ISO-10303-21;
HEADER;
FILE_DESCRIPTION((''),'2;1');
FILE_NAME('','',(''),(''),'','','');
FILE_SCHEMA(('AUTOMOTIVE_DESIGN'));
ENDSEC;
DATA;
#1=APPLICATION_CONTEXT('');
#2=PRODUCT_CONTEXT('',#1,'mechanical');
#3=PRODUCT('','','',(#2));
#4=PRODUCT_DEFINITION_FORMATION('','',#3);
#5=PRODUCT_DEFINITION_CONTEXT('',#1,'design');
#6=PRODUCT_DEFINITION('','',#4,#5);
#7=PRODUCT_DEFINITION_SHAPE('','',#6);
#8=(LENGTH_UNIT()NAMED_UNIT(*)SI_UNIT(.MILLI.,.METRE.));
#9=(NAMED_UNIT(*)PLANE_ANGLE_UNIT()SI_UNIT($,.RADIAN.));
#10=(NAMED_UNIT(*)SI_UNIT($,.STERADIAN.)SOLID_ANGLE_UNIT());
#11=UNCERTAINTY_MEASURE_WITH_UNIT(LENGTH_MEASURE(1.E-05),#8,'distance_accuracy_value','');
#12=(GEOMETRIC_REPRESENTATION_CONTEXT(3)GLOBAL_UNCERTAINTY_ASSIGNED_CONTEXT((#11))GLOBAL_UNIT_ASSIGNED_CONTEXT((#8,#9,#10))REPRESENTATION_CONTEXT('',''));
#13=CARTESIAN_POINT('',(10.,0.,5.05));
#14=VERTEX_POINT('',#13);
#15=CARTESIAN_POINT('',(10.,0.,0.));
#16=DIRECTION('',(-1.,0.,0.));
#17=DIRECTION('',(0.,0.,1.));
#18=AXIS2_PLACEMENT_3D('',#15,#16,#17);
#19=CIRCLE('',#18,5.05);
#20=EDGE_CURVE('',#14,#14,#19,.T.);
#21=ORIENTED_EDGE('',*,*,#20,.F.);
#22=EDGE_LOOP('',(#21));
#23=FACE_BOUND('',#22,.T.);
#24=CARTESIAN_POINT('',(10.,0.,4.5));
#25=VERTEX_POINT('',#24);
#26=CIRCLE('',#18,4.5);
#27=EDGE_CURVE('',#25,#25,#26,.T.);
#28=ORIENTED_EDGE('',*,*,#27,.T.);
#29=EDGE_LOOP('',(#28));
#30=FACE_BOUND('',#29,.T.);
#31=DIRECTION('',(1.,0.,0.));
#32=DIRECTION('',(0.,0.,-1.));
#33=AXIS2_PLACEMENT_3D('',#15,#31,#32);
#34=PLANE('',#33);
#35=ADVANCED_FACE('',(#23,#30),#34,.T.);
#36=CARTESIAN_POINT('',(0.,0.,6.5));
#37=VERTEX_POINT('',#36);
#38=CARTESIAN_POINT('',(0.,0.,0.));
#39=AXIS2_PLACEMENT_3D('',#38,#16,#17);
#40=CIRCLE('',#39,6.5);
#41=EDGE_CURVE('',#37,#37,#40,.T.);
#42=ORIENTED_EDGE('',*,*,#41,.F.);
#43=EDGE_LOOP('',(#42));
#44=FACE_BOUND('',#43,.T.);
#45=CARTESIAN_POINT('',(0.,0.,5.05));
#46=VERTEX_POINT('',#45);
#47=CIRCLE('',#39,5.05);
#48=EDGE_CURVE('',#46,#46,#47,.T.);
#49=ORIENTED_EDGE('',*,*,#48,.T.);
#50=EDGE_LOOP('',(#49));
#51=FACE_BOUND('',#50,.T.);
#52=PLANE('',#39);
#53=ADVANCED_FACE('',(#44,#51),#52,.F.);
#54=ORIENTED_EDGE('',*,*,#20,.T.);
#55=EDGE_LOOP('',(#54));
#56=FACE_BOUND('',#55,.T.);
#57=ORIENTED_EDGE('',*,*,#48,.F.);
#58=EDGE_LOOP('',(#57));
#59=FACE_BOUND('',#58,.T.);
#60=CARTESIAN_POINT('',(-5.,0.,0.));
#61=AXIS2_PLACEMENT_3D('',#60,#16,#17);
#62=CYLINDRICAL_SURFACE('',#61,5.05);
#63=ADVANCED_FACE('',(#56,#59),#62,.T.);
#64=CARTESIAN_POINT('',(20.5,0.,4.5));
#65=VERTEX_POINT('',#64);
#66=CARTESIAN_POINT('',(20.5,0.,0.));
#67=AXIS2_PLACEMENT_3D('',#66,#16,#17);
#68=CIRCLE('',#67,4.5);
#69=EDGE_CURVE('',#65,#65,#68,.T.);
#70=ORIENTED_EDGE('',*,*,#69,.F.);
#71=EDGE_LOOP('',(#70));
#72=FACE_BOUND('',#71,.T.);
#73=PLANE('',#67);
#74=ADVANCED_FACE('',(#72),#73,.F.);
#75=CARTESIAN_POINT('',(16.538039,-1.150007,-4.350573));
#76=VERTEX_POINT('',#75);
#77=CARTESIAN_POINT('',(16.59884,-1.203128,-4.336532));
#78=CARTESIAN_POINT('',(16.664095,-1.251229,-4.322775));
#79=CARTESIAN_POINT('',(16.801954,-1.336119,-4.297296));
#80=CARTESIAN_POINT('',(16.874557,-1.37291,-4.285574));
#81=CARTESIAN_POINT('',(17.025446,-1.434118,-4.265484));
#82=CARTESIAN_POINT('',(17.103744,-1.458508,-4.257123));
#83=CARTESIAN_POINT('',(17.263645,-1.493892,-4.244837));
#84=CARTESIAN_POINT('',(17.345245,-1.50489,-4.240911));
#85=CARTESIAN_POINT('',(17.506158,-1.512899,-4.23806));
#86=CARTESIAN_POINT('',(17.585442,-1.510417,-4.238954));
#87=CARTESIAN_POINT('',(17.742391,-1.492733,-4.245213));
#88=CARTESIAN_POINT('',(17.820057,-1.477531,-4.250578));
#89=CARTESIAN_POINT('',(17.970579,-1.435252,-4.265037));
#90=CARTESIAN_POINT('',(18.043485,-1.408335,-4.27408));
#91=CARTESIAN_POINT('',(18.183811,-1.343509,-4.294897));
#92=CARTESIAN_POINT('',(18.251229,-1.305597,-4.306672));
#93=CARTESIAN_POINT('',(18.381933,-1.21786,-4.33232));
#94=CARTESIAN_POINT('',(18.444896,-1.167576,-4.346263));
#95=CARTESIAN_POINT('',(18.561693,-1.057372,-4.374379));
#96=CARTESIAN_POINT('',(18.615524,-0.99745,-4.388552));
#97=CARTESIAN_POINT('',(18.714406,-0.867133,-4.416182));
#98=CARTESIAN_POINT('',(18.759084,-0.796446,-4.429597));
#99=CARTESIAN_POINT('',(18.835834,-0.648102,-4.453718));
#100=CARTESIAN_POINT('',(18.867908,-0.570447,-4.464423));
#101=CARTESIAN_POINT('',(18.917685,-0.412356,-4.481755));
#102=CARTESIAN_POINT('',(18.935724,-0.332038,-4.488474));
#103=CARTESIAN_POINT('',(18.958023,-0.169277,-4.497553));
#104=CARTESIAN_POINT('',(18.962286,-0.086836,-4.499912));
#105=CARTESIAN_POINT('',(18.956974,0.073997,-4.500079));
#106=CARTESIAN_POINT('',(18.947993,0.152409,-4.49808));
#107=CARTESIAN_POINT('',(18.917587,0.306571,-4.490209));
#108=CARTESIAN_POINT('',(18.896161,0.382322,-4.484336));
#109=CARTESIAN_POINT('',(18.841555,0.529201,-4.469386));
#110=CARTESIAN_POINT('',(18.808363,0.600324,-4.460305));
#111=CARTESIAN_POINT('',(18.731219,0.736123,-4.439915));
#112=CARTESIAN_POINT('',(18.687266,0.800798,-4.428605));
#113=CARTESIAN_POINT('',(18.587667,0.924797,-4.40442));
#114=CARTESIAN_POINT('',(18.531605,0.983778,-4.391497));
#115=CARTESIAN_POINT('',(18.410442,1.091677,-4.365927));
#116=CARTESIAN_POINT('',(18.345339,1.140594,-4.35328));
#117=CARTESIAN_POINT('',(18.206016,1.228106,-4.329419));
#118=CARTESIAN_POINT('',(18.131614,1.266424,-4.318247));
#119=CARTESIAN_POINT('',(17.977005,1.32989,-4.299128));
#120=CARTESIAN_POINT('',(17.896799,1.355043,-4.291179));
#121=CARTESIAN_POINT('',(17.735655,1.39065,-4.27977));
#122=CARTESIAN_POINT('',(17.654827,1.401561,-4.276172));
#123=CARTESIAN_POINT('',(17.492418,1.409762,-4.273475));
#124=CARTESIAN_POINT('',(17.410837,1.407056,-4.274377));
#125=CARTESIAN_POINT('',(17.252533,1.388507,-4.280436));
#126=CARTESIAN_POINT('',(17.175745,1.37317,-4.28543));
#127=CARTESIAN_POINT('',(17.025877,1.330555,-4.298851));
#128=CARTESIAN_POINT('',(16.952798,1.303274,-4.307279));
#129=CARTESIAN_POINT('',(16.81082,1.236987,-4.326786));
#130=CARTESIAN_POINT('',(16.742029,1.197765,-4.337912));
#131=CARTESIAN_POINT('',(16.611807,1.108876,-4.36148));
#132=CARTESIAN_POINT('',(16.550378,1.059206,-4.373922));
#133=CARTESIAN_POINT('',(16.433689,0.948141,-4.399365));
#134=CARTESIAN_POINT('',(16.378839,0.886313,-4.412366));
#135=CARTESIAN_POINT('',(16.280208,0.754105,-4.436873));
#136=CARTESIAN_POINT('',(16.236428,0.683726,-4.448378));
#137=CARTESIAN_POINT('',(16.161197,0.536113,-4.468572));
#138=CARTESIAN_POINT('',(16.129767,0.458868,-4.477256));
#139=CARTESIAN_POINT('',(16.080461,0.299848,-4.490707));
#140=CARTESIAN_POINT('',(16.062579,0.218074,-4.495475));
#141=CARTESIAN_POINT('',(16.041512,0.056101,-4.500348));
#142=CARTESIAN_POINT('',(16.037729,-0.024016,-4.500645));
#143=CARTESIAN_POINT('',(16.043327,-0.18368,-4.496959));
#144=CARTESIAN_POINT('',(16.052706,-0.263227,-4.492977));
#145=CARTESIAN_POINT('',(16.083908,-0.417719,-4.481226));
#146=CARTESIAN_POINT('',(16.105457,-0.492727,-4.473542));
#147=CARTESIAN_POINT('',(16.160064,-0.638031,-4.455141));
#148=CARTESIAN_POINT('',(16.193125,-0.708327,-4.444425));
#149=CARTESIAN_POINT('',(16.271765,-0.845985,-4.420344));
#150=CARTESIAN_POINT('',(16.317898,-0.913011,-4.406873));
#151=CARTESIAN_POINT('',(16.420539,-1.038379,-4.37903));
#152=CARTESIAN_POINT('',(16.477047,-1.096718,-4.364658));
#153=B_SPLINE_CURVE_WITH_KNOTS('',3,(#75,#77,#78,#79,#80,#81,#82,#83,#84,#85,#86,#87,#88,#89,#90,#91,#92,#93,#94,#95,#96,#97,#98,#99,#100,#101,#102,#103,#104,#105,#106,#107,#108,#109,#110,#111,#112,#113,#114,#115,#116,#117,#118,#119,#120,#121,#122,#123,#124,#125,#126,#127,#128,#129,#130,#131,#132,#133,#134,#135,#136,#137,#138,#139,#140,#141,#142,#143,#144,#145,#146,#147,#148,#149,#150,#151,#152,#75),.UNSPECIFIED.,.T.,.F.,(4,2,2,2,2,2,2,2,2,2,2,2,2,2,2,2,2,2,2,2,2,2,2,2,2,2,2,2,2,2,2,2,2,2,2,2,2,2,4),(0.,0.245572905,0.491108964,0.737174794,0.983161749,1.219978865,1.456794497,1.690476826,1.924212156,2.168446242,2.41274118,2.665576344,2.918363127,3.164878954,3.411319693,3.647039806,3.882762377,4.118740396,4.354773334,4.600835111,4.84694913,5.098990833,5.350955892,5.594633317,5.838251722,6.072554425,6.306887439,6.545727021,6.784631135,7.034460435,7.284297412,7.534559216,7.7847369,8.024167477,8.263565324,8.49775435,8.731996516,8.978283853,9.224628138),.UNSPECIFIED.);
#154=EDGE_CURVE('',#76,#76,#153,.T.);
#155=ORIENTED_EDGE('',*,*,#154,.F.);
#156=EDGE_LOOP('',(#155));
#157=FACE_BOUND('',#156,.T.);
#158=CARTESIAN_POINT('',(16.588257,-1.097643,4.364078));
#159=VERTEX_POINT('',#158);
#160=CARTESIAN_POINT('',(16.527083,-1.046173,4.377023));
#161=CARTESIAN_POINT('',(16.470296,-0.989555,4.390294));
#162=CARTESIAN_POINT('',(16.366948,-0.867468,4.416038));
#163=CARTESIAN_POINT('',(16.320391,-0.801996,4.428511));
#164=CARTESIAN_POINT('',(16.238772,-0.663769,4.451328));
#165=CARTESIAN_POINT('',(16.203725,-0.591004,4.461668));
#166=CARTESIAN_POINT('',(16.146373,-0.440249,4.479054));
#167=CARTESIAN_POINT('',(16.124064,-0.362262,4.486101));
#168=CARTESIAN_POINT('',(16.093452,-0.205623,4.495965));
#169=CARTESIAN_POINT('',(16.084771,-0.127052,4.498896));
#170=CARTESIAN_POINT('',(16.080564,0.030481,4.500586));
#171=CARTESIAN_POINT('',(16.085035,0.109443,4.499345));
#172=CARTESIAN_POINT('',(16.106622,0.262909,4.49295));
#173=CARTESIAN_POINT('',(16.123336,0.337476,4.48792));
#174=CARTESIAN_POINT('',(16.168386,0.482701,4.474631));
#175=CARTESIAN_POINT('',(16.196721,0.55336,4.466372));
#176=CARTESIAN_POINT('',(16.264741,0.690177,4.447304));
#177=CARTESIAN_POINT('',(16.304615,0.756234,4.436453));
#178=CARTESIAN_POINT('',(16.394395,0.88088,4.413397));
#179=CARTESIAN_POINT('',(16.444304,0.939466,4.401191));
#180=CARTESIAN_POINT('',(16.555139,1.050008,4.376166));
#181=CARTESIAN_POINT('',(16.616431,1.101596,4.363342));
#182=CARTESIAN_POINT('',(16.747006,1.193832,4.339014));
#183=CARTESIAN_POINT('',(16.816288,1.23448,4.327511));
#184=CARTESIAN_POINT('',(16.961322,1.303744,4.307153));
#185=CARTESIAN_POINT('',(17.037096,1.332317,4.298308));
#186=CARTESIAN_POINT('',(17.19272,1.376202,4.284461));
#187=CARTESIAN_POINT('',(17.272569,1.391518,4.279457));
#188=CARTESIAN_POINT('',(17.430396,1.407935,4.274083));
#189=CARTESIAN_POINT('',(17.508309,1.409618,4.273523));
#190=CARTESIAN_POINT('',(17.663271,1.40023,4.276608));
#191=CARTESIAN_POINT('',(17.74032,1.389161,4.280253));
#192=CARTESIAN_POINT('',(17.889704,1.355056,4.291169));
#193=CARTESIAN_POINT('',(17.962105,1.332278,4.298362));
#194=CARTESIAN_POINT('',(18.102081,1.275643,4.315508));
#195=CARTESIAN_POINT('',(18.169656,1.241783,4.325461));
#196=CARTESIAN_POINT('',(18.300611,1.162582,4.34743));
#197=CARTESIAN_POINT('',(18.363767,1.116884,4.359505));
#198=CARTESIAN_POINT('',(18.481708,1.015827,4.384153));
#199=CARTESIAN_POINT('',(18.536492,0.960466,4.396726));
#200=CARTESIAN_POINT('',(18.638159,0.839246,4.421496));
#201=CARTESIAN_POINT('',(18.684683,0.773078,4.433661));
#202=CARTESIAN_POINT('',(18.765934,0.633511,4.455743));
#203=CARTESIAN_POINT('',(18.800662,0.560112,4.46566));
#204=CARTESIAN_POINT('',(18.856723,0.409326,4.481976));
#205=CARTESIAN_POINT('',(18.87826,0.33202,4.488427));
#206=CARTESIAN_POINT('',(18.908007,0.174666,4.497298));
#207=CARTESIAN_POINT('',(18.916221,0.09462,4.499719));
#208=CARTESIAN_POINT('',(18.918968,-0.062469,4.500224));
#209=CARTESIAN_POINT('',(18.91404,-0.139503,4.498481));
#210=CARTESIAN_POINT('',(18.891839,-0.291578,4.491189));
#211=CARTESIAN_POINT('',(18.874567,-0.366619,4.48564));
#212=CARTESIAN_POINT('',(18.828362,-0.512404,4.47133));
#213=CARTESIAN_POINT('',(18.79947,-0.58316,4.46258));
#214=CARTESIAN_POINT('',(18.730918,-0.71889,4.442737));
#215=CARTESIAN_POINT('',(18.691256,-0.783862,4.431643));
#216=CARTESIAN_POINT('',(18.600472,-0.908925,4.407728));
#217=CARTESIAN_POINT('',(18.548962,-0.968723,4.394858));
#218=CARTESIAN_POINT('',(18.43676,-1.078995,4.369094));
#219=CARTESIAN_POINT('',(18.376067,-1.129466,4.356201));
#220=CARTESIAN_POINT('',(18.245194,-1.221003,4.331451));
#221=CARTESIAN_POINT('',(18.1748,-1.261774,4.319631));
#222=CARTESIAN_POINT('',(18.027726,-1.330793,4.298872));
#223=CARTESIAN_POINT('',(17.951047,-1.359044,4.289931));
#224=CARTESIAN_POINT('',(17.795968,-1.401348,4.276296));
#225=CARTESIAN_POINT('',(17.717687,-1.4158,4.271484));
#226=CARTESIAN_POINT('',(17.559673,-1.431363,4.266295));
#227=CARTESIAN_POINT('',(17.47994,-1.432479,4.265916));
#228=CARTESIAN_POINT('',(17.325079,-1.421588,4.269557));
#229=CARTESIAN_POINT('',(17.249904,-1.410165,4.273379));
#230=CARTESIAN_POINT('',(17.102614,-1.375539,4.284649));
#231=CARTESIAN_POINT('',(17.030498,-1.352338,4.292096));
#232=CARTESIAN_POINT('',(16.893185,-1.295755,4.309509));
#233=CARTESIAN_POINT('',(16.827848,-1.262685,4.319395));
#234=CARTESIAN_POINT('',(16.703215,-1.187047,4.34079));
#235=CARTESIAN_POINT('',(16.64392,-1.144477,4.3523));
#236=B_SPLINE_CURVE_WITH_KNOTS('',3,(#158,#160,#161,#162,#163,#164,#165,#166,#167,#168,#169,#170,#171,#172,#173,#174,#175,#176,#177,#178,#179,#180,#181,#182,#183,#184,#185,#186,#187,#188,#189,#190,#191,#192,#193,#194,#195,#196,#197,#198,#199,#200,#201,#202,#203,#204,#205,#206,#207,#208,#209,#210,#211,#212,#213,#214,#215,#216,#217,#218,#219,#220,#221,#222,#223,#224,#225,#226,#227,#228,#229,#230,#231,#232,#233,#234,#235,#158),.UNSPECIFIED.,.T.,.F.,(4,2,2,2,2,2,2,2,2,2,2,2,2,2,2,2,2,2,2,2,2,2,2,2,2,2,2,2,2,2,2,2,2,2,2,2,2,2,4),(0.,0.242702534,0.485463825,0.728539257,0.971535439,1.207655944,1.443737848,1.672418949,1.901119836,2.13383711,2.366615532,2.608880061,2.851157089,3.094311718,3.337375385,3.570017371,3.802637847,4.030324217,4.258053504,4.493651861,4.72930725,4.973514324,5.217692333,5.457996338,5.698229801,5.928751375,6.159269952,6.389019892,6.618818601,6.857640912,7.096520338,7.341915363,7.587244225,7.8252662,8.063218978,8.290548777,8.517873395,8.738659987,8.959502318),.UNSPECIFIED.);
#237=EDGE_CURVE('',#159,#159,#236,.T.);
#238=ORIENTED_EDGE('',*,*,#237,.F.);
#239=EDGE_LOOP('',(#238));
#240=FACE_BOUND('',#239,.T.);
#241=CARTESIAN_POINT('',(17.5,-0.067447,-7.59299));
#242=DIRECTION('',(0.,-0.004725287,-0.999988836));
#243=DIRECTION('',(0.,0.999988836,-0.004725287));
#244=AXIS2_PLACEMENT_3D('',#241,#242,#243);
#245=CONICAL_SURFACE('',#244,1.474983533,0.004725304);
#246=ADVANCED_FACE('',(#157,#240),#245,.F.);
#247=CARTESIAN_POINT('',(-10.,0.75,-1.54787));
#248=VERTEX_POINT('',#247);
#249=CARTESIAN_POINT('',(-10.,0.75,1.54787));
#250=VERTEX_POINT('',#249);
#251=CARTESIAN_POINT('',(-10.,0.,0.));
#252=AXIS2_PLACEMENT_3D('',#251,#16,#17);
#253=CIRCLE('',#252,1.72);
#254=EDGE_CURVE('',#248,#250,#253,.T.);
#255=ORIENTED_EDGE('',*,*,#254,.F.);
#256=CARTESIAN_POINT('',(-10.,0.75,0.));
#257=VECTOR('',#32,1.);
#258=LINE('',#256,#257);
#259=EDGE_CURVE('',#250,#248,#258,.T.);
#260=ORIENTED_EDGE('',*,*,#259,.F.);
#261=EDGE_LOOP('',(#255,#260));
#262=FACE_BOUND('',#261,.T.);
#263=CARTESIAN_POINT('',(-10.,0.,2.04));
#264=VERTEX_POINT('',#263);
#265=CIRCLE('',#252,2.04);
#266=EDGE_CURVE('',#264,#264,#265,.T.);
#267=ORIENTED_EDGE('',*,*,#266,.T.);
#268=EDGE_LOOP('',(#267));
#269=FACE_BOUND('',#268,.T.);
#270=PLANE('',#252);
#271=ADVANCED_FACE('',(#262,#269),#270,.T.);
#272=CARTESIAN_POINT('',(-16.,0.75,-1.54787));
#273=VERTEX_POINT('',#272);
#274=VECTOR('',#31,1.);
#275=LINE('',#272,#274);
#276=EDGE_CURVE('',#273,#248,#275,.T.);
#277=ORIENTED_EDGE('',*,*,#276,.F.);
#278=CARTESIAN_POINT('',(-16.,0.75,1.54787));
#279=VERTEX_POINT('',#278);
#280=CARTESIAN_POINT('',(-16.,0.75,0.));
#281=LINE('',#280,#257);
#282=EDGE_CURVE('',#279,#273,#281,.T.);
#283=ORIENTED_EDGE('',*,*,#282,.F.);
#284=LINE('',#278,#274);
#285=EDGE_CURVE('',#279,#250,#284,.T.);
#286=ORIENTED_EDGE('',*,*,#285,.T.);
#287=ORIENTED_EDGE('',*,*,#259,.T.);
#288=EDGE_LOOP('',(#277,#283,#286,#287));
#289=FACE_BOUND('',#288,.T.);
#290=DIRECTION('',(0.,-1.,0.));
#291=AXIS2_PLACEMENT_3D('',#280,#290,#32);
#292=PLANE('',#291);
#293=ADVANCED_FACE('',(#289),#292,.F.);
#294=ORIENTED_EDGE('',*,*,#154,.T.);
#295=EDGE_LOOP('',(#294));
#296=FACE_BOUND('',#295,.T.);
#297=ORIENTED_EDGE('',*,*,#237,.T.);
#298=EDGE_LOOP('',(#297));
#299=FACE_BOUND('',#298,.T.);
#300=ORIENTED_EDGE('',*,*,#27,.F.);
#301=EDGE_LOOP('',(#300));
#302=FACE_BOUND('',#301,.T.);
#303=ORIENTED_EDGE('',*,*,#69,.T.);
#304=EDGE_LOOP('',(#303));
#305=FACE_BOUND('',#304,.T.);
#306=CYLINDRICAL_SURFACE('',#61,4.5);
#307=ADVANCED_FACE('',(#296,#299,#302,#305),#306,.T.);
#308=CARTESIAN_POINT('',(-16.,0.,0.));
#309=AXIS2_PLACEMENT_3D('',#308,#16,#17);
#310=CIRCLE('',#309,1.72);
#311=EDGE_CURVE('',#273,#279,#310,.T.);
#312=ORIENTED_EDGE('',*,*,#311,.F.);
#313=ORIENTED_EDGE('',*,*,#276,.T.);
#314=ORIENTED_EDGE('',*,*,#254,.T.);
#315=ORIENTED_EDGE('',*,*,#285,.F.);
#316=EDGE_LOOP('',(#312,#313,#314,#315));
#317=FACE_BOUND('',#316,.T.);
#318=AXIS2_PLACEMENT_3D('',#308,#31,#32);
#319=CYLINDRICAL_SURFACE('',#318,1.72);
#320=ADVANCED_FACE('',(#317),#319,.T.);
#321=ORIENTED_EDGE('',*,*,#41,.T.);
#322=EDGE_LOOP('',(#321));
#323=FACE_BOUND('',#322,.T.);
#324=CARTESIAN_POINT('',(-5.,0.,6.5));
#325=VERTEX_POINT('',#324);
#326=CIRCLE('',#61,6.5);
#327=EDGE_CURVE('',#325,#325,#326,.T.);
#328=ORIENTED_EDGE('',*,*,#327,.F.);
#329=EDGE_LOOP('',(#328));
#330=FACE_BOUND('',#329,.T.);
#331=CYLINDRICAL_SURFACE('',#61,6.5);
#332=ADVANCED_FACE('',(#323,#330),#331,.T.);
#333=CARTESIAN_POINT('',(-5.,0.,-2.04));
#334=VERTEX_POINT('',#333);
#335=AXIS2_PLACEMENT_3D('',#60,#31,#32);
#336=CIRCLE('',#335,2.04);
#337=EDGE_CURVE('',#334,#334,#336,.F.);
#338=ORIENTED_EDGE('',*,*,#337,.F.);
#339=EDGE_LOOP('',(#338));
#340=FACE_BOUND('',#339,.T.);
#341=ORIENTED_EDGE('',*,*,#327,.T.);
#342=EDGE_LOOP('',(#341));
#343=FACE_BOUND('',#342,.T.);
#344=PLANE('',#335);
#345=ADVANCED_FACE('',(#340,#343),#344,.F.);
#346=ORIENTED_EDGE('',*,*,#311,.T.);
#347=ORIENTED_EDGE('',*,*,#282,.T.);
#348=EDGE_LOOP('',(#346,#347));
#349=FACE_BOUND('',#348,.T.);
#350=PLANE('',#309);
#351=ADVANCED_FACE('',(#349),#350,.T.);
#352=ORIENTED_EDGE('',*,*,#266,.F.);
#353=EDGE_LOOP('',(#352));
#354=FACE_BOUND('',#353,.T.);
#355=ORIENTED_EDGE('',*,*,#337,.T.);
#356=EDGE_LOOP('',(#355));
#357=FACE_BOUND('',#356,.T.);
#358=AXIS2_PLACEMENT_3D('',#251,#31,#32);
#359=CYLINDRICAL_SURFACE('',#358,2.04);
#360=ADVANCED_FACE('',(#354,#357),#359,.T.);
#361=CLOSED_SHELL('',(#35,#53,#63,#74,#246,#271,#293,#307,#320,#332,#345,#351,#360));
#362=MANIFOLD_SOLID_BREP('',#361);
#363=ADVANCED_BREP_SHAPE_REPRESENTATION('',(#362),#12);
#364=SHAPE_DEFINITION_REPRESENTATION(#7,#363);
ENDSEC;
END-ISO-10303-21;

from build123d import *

# Parameters (mm, degrees)
EXTRUDE_2_DEPTH = 11
SKETCH_5_R      = 2.04
EXTRUDE_3_DEPTH = 5


with BuildPart() as part:
    # 草图1 → 旋转1 (revolve)
    with BuildSketch(Plane.XY, mode=Mode.PRIVATE) as revolve_1_sk:
        Polygon((-5, 0), (0, 0), (20.5, 0), (20.5, 4.5), (10, 4.5), (10, 5.05), (0, 5.05), (0, 6.5), (-5, 6.5), (-5, 5), align=None)
    revolve(revolve_1_sk.sketch.rotate(Axis((-5, 0, 0), (1, 0, 0)), 90), axis=Axis((-5, 0, 0), (1, 0, 0)))

    # 草图3 → 切除-旋转1 (revolve, cut)
    with BuildSketch(Plane(origin=(17.5, 0, 0), x_dir=(0, 0, -1), z_dir=(1, 0, 0)), mode=Mode.PRIVATE) as cut_revolve_1_sk:
        Polygon((-6.680542038, 0), (-6.680542038, 1.407519777), (7.599960071, 1.407519777), (7.599960071, -0.067480223), align=None)
    revolve(cut_revolve_1_sk.sketch.rotate(Axis((17.5, 0, 6.680542038), (0, -0.0047252868789963, -0.9999888357696356)), 270.416383372), axis=Axis((17.5, 0, 6.680542038), (0, -0.0047252868789963, -0.9999888357696356)), mode=Mode.SUBTRACT)

    # 草图4 → 凸台-拉伸2 (add)
    with BuildSketch(Plane.ZY.offset(5)):
        with BuildLine():
            Line((0.04652715, 0.75), (0, 0.75))
            Line((0, 0.75), (-1.547869504, 0.75))
            ThreePointArc((-1.547869504, 0.75), (0, -1.72), (1.547869504, 0.75))
            Line((1.547869504, 0.75), (0.04652715, 0.75))
        make_face()
    extrude(amount=EXTRUDE_2_DEPTH)

    # 草图5 → 凸台-拉伸3 (add)
    with BuildSketch(Plane.ZY.offset(5)):
        with Locations(Location((0, 0, 0), (0, 0, 180))):
            Circle(SKETCH_5_R)
    extrude(amount=EXTRUDE_3_DEPTH)


solid = part.part
